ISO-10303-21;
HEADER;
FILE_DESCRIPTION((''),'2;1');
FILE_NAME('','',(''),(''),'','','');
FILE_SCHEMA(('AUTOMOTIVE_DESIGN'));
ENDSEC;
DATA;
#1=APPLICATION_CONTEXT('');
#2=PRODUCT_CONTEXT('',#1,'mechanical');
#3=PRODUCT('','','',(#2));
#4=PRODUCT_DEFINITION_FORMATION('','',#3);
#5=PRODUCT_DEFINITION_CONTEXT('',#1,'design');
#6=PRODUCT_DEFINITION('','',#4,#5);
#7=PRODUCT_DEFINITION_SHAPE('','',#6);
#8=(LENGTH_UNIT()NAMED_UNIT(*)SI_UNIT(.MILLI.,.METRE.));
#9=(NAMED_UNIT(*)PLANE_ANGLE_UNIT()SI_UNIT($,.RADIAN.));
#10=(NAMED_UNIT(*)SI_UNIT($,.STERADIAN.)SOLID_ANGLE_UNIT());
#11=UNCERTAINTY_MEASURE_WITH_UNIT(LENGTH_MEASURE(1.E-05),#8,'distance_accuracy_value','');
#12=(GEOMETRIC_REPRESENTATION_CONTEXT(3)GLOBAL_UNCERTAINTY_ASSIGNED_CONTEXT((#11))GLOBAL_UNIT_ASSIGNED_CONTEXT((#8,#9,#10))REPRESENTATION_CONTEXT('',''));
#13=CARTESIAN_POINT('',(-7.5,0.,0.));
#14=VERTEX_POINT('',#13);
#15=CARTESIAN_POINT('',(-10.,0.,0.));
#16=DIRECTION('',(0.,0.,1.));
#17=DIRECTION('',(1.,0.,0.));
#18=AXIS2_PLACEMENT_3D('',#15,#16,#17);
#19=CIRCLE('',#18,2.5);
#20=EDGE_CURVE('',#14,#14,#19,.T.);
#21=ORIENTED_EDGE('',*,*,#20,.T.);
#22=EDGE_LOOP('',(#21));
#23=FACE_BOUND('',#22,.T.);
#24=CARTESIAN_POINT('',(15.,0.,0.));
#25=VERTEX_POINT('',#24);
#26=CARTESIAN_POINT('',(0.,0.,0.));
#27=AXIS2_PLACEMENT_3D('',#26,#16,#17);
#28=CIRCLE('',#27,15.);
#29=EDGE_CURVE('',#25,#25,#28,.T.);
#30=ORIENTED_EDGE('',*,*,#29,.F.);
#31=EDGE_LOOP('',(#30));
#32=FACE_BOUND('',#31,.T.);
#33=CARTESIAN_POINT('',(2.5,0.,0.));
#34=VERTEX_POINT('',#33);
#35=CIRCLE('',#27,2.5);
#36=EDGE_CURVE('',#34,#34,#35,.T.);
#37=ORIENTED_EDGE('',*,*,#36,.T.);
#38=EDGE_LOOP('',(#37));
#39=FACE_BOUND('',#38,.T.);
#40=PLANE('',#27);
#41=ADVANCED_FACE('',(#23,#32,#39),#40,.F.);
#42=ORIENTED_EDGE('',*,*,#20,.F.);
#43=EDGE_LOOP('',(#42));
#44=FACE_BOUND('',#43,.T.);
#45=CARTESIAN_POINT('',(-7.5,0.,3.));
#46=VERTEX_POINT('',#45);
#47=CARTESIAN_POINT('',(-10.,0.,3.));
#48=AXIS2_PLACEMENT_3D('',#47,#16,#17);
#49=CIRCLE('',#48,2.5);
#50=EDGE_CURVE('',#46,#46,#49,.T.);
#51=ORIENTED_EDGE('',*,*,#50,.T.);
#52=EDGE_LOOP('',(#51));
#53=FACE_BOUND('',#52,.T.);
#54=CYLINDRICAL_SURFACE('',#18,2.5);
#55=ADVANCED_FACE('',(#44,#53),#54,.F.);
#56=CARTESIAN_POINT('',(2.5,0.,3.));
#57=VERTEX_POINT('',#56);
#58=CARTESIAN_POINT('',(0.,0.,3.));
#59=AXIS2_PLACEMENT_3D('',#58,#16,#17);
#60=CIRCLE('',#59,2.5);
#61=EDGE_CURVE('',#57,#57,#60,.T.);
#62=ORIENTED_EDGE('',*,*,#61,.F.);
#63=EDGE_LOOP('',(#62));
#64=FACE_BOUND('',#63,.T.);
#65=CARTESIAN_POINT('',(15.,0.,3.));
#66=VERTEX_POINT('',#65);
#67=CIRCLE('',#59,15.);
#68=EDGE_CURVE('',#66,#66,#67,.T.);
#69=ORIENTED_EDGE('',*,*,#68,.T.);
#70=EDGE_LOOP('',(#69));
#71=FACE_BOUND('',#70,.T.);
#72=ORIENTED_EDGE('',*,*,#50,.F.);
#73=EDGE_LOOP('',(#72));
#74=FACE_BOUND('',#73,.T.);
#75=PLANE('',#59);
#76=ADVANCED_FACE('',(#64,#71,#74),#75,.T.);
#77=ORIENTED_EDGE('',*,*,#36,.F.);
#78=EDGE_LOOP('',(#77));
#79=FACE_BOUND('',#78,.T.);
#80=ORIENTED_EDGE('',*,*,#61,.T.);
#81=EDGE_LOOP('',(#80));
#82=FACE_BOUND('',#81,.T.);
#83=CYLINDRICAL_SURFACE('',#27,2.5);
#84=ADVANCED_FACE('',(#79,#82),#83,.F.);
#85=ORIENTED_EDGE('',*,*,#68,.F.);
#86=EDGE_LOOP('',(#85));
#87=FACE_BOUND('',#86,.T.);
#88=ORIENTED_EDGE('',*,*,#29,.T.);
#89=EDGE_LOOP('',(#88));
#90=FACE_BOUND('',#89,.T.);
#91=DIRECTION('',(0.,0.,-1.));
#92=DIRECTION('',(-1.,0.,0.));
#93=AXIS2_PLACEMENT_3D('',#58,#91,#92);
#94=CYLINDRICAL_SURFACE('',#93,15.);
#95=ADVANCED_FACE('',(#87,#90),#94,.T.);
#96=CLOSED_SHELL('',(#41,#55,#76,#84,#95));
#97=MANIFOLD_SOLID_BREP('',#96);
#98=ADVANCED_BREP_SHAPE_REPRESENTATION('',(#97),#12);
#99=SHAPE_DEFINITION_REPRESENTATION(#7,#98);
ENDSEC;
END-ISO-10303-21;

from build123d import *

# Parameters (mm, degrees)
SKETCH1_R           = 15
BOSS_EXTRUDE1_DEPTH = 3
SKETCH2_R           = 2.5
CUT_EXTRUDE1_DEPTH  = 3


with BuildPart() as part:
    # Sketch1 → Boss-Extrude1 (new body)
    with BuildSketch(Plane.XY):
        Circle(SKETCH1_R)
    extrude(amount=BOSS_EXTRUDE1_DEPTH)

    # Sketch2 → Cut-Extrude1 (cut)
    with BuildSketch(Plane.XY.offset(3)):
        Circle(SKETCH2_R)
        with Locations((-10, 0)):
            Circle(SKETCH2_R)
    extrude(amount=-CUT_EXTRUDE1_DEPTH, mode=Mode.SUBTRACT)


solid = part.part
